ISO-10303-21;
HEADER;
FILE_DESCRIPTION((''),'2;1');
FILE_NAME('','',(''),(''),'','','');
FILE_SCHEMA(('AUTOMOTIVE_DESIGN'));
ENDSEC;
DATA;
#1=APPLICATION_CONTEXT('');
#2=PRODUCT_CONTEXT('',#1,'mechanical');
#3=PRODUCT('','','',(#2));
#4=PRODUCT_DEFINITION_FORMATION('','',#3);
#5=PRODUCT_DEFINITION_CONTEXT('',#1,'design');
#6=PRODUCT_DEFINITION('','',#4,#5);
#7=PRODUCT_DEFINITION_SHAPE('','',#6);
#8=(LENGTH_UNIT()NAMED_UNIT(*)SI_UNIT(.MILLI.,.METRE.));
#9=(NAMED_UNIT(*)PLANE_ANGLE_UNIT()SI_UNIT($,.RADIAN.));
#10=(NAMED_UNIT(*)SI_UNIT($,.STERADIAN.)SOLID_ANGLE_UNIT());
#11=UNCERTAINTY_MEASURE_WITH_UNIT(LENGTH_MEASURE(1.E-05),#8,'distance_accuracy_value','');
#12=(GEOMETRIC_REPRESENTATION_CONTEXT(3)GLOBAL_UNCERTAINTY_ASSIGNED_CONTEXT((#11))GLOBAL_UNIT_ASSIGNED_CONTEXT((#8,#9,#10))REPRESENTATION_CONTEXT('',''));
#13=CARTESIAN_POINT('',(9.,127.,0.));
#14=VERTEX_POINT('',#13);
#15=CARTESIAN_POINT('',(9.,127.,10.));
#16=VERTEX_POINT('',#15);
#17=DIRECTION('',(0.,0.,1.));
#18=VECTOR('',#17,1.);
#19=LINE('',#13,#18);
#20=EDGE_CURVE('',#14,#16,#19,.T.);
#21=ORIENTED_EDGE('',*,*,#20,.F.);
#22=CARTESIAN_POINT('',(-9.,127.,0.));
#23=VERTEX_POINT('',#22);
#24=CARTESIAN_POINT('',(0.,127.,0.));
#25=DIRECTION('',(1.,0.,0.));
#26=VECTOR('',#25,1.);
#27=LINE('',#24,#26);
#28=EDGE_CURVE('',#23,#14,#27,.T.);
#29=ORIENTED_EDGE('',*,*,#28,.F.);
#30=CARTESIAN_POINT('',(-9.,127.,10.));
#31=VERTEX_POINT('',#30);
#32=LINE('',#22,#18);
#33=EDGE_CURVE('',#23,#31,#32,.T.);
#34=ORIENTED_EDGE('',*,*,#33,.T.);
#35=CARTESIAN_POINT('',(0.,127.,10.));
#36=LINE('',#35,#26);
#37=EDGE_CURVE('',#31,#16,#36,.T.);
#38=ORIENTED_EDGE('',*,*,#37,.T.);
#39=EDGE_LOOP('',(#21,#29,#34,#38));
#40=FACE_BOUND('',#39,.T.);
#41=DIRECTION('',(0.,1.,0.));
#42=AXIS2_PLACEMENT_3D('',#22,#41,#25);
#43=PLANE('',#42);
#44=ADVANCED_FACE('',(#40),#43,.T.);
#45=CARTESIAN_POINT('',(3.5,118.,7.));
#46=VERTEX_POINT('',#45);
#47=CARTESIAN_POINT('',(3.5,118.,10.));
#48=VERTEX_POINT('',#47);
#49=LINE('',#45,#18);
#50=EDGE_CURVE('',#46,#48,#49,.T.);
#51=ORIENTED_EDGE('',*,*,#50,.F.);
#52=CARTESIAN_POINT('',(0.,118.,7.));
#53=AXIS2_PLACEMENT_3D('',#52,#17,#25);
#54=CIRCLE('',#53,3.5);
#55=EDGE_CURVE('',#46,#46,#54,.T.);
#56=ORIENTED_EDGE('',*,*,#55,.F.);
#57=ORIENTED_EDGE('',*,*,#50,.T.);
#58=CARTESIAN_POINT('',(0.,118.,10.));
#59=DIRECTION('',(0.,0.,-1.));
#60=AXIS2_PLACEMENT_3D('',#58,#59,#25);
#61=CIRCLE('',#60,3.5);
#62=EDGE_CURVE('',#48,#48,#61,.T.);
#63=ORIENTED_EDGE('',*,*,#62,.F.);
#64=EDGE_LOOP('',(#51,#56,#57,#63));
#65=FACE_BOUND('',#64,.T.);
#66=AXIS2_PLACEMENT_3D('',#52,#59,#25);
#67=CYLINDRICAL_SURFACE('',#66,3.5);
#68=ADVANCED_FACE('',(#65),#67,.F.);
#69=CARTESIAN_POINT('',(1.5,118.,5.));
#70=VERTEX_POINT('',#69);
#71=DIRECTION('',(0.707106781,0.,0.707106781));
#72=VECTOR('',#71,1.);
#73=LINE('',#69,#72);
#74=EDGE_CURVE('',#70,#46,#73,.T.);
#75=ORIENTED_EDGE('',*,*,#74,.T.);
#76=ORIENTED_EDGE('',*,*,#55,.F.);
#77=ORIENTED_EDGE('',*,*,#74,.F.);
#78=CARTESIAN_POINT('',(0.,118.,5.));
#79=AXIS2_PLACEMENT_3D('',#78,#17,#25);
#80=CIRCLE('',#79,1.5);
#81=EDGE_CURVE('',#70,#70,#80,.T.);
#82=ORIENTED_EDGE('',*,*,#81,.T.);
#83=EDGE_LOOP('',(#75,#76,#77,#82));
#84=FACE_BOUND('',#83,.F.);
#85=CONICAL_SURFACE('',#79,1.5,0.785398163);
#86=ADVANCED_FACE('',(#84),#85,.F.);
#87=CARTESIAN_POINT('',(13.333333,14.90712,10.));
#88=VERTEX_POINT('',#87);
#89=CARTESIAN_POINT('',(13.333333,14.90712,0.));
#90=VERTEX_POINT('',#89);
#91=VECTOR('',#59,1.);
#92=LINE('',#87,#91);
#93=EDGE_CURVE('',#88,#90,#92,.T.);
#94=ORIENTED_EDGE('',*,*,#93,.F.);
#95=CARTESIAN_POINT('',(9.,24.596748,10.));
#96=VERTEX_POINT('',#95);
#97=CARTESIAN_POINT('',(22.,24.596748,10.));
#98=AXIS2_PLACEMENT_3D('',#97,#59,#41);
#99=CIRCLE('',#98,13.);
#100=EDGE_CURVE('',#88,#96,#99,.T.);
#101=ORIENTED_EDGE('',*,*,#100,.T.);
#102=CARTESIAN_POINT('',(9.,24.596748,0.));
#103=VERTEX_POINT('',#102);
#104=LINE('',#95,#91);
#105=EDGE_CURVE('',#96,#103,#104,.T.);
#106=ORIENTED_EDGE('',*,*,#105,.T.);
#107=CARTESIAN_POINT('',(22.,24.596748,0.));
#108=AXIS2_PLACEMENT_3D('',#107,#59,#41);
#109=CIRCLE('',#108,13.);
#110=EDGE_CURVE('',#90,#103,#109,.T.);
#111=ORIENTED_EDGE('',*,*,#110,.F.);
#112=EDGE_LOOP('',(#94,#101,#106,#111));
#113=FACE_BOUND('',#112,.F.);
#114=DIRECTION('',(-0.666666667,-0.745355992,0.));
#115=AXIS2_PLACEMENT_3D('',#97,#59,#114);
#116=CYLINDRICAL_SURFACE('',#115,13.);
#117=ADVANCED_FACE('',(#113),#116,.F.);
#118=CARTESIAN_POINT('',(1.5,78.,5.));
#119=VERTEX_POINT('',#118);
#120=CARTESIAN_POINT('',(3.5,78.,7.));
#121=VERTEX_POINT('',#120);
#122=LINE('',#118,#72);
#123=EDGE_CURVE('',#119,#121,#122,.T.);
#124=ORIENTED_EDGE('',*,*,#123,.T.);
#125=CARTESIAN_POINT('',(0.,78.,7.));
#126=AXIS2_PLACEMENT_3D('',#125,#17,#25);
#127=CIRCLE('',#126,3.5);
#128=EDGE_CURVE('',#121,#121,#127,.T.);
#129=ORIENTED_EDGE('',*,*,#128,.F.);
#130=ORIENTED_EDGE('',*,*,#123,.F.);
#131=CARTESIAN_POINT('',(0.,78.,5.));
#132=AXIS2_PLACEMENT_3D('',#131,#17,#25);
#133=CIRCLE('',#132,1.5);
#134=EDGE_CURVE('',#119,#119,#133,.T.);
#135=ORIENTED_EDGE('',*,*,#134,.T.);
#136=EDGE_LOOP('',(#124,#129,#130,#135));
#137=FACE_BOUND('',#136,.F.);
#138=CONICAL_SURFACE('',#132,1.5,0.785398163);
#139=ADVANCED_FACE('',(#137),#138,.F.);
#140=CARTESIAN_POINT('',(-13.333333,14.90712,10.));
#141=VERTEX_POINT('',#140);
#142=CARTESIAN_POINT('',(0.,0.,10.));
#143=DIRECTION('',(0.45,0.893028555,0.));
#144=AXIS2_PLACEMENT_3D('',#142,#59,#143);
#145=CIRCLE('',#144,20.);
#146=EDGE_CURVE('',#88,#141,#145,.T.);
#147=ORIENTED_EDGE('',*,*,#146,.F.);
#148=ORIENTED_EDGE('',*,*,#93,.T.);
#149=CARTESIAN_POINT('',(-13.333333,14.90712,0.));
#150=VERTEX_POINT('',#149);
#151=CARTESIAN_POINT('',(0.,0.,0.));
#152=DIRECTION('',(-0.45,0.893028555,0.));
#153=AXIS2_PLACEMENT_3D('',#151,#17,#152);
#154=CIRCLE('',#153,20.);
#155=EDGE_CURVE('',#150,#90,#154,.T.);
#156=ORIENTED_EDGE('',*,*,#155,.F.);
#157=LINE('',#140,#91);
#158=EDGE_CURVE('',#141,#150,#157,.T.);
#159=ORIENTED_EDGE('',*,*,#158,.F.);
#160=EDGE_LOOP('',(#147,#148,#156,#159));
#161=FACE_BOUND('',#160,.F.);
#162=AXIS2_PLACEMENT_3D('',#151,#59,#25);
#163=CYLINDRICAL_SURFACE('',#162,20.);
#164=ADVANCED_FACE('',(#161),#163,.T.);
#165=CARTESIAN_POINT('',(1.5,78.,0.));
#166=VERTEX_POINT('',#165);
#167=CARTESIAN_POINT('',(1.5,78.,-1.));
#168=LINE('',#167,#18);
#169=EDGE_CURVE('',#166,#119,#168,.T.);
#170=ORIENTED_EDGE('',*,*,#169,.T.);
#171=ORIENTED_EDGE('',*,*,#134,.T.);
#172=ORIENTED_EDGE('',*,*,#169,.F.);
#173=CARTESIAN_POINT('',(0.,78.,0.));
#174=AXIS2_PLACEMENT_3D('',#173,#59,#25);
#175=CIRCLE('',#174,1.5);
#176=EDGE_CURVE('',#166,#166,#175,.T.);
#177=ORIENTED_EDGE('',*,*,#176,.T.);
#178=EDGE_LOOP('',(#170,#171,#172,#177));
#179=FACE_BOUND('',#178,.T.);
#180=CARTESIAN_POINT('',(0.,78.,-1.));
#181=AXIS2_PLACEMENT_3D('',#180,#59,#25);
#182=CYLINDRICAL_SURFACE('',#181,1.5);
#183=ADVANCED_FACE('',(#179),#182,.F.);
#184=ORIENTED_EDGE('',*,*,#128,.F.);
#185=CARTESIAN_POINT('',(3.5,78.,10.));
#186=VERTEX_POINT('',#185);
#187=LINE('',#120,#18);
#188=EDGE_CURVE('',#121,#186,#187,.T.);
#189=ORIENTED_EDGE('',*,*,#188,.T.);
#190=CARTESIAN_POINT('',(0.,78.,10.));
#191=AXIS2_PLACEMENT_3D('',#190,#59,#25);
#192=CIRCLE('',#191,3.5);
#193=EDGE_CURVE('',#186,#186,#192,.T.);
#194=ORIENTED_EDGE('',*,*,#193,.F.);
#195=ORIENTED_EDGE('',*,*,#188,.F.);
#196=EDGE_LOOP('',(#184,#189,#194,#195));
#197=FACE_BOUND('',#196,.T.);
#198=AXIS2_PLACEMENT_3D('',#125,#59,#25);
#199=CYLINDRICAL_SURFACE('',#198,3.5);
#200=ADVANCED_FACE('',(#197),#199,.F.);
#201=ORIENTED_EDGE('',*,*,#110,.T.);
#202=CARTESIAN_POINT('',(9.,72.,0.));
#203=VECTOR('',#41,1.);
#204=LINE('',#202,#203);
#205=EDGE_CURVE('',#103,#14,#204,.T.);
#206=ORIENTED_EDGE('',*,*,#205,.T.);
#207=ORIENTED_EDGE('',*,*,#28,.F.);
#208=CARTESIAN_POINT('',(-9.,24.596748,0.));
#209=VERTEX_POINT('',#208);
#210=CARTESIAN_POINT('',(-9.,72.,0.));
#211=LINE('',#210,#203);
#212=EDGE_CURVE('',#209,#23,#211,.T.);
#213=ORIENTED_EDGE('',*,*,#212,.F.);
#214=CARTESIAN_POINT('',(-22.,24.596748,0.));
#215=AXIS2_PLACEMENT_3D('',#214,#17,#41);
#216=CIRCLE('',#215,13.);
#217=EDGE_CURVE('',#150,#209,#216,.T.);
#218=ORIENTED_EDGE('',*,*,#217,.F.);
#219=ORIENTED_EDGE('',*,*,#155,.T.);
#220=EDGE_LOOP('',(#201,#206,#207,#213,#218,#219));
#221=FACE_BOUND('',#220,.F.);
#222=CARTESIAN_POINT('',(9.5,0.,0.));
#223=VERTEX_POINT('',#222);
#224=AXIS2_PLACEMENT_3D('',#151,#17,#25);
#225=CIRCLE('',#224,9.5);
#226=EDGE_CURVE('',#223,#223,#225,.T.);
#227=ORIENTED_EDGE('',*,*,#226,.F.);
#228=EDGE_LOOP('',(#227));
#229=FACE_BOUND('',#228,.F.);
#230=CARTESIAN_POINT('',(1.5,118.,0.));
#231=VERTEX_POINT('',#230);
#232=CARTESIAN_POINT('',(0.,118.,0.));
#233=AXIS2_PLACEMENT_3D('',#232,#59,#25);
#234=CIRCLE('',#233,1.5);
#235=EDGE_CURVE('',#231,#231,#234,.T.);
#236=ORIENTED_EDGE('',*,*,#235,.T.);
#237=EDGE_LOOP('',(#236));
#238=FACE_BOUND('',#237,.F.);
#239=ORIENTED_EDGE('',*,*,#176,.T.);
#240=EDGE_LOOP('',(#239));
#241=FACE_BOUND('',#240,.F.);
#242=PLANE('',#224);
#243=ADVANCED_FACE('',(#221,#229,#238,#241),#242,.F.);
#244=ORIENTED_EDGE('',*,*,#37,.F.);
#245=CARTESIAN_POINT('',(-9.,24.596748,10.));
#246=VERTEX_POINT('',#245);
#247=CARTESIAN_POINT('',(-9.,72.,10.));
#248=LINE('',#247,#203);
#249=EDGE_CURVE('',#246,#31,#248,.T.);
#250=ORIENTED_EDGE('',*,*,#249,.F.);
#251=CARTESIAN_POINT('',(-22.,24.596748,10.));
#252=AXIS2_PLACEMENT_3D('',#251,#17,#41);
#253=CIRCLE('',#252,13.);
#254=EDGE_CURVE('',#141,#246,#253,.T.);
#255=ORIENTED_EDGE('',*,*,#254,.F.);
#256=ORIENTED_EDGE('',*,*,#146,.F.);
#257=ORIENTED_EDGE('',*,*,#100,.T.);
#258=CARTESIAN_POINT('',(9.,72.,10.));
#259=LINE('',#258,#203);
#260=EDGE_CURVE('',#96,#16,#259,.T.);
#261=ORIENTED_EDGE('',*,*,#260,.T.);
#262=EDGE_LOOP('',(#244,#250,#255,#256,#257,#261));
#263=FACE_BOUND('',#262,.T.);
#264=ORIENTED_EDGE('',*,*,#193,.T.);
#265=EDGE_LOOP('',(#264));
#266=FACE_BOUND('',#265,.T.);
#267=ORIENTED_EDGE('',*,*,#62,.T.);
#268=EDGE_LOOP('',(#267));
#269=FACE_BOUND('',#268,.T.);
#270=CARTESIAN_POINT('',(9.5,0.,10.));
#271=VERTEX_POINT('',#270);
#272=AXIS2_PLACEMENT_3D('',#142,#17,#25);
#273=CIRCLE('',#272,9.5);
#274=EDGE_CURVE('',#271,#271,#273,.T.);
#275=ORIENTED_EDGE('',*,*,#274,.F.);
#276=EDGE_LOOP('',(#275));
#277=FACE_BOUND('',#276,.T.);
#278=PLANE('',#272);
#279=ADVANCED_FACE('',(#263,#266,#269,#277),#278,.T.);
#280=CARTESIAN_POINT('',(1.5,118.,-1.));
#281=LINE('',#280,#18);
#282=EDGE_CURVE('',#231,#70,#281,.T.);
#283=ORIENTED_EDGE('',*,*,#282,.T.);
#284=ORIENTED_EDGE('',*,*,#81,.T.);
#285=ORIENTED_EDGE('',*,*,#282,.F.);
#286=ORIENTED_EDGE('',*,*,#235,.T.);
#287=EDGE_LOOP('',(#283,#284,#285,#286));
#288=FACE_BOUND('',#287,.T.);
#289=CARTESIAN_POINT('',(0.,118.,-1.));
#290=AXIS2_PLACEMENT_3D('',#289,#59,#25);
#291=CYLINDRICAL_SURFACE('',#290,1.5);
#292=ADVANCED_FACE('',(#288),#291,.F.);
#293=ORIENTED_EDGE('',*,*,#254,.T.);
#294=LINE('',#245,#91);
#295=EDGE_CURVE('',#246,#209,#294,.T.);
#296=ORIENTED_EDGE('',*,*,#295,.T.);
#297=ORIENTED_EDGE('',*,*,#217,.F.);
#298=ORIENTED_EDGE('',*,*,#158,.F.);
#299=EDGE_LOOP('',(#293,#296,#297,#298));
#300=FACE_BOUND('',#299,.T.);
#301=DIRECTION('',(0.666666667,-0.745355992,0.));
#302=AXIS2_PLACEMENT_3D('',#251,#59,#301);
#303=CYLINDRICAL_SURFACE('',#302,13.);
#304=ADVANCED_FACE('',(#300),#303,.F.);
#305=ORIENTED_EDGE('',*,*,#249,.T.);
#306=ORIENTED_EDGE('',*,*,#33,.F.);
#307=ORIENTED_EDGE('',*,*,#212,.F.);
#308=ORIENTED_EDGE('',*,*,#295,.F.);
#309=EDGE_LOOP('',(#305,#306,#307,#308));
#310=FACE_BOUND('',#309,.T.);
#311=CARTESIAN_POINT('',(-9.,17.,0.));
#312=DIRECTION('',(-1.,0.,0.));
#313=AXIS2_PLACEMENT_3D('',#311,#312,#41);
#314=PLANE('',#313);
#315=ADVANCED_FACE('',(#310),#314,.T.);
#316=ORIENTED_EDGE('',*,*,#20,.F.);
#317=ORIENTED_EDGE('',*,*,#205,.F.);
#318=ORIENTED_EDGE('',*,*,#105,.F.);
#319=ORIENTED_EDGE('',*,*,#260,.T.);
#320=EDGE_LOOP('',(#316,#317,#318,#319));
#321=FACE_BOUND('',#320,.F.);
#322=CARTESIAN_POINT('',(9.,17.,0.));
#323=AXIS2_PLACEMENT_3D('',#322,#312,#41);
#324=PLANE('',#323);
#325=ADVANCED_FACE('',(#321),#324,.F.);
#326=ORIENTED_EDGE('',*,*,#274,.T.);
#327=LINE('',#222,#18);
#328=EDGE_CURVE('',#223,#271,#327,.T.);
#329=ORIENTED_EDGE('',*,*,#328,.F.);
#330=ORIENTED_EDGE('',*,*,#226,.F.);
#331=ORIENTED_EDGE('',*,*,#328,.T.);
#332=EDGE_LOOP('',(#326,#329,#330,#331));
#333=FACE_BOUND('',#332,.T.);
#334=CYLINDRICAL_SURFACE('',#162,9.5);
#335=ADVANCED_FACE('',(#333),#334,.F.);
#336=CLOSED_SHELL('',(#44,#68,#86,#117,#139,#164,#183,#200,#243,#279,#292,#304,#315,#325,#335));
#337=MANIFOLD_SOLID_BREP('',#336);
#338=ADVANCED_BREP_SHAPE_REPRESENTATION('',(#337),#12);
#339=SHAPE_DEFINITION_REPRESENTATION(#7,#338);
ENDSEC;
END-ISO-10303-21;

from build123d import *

# Parameters (mm, degrees)
CYLINDER003_R     = 3.5
CYLINDER003_DEPTH = 10
CYLINDER002_R     = 1.5
CYLINDER002_DEPTH = 10
CYLINDER_R        = 9.5
CYLINDER_DEPTH    = 10
CYLINDER001_R     = 20
CYLINDER001_DEPTH = 10
BOX_W             = 18
BOX_H             = 110
BOX_DEPTH         = 10
FILLET_R          = 13


with BuildPart() as cylinder003:
    # Cylinder003 → Cylinder003 (new body)
    with BuildSketch(Plane(origin=(15, -5, 8), x_dir=(1, 0, 0), z_dir=(0, 0, 1))):
        Circle(CYLINDER003_R)
    extrude(amount=CYLINDER003_DEPTH)


with BuildPart() as cone:
    # Cone → Cone (revolve)
    with BuildSketch(Plane(origin=(15, -5, 6), x_dir=(1, 0, 0), z_dir=(0, -1, 0))):
        Polygon((0, 0), (1.5, 0), (3.5, 2), (0, 2), align=None)
    revolve(axis=Axis((15, -5, 6), (0, 0, 1)))


with BuildPart() as cylinder002:
    # Cylinder002 → Cylinder002 (new body)
    with BuildSketch(Plane(origin=(15, -5, 0), x_dir=(1, 0, 0), z_dir=(0, 0, 1))):
        Circle(CYLINDER002_R)
    extrude(amount=CYLINDER002_DEPTH)


with BuildPart() as fusion001:
    # Fusion001 base: copy of Cylinder002
    add(cylinder002.part)

    # Fusion001: union Cylinder003, Cone
    add(cylinder003.part)
    add(cone.part)


with BuildPart() as fusion001_1:
    # Fusion001 placement: moved
    add(fusion001.part.moved(Location((-15, 123, -1))))


with BuildPart() as fusion002:
    # Fusion002 base: copy of Cylinder002
    add(cylinder002.part)

    # Fusion002: union Cylinder003, Cone
    add(cylinder003.part)
    add(cone.part)


with BuildPart() as fusion002_1:
    # Fusion002 placement: moved
    add(fusion002.part.moved(Location((-15, 83, -1))))


with BuildPart() as fusion003:
    # Cylinder → Cylinder (new body)
    with BuildSketch(Plane.XY):
        Circle(CYLINDER_R)
    extrude(amount=CYLINDER_DEPTH)

    # Fusion003: union Fusion001, Fusion002
    add(fusion001_1.part)
    add(fusion002_1.part)


with BuildPart() as cylinder001:
    # Cylinder001 → Cylinder001 (new body)
    with BuildSketch(Plane.XY):
        Circle(CYLINDER001_R)
    extrude(amount=CYLINDER001_DEPTH)


with BuildPart() as cut:
    # Box → Box (new body)
    with BuildSketch(Plane(origin=(-9, 17, 0), x_dir=(1, 0, 0), z_dir=(0, 0, 1))):
        with Locations((9, 55)):
            Rectangle(BOX_W, BOX_H)
    extrude(amount=BOX_DEPTH)

    # Fusion: union Cylinder001
    add(cylinder001.part)

    # Fillet
    fillet_edges = [cut.edges().sort_by_distance(p)[0] for p in [
        (9, 17.860571, 5),
        (-9, 17.860571, 5),
    ]]
    fillet(fillet_edges, radius=FILLET_R)

    # Cut: cut Fusion003
    add(fusion003.part, mode=Mode.SUBTRACT)


solid = cut.part
